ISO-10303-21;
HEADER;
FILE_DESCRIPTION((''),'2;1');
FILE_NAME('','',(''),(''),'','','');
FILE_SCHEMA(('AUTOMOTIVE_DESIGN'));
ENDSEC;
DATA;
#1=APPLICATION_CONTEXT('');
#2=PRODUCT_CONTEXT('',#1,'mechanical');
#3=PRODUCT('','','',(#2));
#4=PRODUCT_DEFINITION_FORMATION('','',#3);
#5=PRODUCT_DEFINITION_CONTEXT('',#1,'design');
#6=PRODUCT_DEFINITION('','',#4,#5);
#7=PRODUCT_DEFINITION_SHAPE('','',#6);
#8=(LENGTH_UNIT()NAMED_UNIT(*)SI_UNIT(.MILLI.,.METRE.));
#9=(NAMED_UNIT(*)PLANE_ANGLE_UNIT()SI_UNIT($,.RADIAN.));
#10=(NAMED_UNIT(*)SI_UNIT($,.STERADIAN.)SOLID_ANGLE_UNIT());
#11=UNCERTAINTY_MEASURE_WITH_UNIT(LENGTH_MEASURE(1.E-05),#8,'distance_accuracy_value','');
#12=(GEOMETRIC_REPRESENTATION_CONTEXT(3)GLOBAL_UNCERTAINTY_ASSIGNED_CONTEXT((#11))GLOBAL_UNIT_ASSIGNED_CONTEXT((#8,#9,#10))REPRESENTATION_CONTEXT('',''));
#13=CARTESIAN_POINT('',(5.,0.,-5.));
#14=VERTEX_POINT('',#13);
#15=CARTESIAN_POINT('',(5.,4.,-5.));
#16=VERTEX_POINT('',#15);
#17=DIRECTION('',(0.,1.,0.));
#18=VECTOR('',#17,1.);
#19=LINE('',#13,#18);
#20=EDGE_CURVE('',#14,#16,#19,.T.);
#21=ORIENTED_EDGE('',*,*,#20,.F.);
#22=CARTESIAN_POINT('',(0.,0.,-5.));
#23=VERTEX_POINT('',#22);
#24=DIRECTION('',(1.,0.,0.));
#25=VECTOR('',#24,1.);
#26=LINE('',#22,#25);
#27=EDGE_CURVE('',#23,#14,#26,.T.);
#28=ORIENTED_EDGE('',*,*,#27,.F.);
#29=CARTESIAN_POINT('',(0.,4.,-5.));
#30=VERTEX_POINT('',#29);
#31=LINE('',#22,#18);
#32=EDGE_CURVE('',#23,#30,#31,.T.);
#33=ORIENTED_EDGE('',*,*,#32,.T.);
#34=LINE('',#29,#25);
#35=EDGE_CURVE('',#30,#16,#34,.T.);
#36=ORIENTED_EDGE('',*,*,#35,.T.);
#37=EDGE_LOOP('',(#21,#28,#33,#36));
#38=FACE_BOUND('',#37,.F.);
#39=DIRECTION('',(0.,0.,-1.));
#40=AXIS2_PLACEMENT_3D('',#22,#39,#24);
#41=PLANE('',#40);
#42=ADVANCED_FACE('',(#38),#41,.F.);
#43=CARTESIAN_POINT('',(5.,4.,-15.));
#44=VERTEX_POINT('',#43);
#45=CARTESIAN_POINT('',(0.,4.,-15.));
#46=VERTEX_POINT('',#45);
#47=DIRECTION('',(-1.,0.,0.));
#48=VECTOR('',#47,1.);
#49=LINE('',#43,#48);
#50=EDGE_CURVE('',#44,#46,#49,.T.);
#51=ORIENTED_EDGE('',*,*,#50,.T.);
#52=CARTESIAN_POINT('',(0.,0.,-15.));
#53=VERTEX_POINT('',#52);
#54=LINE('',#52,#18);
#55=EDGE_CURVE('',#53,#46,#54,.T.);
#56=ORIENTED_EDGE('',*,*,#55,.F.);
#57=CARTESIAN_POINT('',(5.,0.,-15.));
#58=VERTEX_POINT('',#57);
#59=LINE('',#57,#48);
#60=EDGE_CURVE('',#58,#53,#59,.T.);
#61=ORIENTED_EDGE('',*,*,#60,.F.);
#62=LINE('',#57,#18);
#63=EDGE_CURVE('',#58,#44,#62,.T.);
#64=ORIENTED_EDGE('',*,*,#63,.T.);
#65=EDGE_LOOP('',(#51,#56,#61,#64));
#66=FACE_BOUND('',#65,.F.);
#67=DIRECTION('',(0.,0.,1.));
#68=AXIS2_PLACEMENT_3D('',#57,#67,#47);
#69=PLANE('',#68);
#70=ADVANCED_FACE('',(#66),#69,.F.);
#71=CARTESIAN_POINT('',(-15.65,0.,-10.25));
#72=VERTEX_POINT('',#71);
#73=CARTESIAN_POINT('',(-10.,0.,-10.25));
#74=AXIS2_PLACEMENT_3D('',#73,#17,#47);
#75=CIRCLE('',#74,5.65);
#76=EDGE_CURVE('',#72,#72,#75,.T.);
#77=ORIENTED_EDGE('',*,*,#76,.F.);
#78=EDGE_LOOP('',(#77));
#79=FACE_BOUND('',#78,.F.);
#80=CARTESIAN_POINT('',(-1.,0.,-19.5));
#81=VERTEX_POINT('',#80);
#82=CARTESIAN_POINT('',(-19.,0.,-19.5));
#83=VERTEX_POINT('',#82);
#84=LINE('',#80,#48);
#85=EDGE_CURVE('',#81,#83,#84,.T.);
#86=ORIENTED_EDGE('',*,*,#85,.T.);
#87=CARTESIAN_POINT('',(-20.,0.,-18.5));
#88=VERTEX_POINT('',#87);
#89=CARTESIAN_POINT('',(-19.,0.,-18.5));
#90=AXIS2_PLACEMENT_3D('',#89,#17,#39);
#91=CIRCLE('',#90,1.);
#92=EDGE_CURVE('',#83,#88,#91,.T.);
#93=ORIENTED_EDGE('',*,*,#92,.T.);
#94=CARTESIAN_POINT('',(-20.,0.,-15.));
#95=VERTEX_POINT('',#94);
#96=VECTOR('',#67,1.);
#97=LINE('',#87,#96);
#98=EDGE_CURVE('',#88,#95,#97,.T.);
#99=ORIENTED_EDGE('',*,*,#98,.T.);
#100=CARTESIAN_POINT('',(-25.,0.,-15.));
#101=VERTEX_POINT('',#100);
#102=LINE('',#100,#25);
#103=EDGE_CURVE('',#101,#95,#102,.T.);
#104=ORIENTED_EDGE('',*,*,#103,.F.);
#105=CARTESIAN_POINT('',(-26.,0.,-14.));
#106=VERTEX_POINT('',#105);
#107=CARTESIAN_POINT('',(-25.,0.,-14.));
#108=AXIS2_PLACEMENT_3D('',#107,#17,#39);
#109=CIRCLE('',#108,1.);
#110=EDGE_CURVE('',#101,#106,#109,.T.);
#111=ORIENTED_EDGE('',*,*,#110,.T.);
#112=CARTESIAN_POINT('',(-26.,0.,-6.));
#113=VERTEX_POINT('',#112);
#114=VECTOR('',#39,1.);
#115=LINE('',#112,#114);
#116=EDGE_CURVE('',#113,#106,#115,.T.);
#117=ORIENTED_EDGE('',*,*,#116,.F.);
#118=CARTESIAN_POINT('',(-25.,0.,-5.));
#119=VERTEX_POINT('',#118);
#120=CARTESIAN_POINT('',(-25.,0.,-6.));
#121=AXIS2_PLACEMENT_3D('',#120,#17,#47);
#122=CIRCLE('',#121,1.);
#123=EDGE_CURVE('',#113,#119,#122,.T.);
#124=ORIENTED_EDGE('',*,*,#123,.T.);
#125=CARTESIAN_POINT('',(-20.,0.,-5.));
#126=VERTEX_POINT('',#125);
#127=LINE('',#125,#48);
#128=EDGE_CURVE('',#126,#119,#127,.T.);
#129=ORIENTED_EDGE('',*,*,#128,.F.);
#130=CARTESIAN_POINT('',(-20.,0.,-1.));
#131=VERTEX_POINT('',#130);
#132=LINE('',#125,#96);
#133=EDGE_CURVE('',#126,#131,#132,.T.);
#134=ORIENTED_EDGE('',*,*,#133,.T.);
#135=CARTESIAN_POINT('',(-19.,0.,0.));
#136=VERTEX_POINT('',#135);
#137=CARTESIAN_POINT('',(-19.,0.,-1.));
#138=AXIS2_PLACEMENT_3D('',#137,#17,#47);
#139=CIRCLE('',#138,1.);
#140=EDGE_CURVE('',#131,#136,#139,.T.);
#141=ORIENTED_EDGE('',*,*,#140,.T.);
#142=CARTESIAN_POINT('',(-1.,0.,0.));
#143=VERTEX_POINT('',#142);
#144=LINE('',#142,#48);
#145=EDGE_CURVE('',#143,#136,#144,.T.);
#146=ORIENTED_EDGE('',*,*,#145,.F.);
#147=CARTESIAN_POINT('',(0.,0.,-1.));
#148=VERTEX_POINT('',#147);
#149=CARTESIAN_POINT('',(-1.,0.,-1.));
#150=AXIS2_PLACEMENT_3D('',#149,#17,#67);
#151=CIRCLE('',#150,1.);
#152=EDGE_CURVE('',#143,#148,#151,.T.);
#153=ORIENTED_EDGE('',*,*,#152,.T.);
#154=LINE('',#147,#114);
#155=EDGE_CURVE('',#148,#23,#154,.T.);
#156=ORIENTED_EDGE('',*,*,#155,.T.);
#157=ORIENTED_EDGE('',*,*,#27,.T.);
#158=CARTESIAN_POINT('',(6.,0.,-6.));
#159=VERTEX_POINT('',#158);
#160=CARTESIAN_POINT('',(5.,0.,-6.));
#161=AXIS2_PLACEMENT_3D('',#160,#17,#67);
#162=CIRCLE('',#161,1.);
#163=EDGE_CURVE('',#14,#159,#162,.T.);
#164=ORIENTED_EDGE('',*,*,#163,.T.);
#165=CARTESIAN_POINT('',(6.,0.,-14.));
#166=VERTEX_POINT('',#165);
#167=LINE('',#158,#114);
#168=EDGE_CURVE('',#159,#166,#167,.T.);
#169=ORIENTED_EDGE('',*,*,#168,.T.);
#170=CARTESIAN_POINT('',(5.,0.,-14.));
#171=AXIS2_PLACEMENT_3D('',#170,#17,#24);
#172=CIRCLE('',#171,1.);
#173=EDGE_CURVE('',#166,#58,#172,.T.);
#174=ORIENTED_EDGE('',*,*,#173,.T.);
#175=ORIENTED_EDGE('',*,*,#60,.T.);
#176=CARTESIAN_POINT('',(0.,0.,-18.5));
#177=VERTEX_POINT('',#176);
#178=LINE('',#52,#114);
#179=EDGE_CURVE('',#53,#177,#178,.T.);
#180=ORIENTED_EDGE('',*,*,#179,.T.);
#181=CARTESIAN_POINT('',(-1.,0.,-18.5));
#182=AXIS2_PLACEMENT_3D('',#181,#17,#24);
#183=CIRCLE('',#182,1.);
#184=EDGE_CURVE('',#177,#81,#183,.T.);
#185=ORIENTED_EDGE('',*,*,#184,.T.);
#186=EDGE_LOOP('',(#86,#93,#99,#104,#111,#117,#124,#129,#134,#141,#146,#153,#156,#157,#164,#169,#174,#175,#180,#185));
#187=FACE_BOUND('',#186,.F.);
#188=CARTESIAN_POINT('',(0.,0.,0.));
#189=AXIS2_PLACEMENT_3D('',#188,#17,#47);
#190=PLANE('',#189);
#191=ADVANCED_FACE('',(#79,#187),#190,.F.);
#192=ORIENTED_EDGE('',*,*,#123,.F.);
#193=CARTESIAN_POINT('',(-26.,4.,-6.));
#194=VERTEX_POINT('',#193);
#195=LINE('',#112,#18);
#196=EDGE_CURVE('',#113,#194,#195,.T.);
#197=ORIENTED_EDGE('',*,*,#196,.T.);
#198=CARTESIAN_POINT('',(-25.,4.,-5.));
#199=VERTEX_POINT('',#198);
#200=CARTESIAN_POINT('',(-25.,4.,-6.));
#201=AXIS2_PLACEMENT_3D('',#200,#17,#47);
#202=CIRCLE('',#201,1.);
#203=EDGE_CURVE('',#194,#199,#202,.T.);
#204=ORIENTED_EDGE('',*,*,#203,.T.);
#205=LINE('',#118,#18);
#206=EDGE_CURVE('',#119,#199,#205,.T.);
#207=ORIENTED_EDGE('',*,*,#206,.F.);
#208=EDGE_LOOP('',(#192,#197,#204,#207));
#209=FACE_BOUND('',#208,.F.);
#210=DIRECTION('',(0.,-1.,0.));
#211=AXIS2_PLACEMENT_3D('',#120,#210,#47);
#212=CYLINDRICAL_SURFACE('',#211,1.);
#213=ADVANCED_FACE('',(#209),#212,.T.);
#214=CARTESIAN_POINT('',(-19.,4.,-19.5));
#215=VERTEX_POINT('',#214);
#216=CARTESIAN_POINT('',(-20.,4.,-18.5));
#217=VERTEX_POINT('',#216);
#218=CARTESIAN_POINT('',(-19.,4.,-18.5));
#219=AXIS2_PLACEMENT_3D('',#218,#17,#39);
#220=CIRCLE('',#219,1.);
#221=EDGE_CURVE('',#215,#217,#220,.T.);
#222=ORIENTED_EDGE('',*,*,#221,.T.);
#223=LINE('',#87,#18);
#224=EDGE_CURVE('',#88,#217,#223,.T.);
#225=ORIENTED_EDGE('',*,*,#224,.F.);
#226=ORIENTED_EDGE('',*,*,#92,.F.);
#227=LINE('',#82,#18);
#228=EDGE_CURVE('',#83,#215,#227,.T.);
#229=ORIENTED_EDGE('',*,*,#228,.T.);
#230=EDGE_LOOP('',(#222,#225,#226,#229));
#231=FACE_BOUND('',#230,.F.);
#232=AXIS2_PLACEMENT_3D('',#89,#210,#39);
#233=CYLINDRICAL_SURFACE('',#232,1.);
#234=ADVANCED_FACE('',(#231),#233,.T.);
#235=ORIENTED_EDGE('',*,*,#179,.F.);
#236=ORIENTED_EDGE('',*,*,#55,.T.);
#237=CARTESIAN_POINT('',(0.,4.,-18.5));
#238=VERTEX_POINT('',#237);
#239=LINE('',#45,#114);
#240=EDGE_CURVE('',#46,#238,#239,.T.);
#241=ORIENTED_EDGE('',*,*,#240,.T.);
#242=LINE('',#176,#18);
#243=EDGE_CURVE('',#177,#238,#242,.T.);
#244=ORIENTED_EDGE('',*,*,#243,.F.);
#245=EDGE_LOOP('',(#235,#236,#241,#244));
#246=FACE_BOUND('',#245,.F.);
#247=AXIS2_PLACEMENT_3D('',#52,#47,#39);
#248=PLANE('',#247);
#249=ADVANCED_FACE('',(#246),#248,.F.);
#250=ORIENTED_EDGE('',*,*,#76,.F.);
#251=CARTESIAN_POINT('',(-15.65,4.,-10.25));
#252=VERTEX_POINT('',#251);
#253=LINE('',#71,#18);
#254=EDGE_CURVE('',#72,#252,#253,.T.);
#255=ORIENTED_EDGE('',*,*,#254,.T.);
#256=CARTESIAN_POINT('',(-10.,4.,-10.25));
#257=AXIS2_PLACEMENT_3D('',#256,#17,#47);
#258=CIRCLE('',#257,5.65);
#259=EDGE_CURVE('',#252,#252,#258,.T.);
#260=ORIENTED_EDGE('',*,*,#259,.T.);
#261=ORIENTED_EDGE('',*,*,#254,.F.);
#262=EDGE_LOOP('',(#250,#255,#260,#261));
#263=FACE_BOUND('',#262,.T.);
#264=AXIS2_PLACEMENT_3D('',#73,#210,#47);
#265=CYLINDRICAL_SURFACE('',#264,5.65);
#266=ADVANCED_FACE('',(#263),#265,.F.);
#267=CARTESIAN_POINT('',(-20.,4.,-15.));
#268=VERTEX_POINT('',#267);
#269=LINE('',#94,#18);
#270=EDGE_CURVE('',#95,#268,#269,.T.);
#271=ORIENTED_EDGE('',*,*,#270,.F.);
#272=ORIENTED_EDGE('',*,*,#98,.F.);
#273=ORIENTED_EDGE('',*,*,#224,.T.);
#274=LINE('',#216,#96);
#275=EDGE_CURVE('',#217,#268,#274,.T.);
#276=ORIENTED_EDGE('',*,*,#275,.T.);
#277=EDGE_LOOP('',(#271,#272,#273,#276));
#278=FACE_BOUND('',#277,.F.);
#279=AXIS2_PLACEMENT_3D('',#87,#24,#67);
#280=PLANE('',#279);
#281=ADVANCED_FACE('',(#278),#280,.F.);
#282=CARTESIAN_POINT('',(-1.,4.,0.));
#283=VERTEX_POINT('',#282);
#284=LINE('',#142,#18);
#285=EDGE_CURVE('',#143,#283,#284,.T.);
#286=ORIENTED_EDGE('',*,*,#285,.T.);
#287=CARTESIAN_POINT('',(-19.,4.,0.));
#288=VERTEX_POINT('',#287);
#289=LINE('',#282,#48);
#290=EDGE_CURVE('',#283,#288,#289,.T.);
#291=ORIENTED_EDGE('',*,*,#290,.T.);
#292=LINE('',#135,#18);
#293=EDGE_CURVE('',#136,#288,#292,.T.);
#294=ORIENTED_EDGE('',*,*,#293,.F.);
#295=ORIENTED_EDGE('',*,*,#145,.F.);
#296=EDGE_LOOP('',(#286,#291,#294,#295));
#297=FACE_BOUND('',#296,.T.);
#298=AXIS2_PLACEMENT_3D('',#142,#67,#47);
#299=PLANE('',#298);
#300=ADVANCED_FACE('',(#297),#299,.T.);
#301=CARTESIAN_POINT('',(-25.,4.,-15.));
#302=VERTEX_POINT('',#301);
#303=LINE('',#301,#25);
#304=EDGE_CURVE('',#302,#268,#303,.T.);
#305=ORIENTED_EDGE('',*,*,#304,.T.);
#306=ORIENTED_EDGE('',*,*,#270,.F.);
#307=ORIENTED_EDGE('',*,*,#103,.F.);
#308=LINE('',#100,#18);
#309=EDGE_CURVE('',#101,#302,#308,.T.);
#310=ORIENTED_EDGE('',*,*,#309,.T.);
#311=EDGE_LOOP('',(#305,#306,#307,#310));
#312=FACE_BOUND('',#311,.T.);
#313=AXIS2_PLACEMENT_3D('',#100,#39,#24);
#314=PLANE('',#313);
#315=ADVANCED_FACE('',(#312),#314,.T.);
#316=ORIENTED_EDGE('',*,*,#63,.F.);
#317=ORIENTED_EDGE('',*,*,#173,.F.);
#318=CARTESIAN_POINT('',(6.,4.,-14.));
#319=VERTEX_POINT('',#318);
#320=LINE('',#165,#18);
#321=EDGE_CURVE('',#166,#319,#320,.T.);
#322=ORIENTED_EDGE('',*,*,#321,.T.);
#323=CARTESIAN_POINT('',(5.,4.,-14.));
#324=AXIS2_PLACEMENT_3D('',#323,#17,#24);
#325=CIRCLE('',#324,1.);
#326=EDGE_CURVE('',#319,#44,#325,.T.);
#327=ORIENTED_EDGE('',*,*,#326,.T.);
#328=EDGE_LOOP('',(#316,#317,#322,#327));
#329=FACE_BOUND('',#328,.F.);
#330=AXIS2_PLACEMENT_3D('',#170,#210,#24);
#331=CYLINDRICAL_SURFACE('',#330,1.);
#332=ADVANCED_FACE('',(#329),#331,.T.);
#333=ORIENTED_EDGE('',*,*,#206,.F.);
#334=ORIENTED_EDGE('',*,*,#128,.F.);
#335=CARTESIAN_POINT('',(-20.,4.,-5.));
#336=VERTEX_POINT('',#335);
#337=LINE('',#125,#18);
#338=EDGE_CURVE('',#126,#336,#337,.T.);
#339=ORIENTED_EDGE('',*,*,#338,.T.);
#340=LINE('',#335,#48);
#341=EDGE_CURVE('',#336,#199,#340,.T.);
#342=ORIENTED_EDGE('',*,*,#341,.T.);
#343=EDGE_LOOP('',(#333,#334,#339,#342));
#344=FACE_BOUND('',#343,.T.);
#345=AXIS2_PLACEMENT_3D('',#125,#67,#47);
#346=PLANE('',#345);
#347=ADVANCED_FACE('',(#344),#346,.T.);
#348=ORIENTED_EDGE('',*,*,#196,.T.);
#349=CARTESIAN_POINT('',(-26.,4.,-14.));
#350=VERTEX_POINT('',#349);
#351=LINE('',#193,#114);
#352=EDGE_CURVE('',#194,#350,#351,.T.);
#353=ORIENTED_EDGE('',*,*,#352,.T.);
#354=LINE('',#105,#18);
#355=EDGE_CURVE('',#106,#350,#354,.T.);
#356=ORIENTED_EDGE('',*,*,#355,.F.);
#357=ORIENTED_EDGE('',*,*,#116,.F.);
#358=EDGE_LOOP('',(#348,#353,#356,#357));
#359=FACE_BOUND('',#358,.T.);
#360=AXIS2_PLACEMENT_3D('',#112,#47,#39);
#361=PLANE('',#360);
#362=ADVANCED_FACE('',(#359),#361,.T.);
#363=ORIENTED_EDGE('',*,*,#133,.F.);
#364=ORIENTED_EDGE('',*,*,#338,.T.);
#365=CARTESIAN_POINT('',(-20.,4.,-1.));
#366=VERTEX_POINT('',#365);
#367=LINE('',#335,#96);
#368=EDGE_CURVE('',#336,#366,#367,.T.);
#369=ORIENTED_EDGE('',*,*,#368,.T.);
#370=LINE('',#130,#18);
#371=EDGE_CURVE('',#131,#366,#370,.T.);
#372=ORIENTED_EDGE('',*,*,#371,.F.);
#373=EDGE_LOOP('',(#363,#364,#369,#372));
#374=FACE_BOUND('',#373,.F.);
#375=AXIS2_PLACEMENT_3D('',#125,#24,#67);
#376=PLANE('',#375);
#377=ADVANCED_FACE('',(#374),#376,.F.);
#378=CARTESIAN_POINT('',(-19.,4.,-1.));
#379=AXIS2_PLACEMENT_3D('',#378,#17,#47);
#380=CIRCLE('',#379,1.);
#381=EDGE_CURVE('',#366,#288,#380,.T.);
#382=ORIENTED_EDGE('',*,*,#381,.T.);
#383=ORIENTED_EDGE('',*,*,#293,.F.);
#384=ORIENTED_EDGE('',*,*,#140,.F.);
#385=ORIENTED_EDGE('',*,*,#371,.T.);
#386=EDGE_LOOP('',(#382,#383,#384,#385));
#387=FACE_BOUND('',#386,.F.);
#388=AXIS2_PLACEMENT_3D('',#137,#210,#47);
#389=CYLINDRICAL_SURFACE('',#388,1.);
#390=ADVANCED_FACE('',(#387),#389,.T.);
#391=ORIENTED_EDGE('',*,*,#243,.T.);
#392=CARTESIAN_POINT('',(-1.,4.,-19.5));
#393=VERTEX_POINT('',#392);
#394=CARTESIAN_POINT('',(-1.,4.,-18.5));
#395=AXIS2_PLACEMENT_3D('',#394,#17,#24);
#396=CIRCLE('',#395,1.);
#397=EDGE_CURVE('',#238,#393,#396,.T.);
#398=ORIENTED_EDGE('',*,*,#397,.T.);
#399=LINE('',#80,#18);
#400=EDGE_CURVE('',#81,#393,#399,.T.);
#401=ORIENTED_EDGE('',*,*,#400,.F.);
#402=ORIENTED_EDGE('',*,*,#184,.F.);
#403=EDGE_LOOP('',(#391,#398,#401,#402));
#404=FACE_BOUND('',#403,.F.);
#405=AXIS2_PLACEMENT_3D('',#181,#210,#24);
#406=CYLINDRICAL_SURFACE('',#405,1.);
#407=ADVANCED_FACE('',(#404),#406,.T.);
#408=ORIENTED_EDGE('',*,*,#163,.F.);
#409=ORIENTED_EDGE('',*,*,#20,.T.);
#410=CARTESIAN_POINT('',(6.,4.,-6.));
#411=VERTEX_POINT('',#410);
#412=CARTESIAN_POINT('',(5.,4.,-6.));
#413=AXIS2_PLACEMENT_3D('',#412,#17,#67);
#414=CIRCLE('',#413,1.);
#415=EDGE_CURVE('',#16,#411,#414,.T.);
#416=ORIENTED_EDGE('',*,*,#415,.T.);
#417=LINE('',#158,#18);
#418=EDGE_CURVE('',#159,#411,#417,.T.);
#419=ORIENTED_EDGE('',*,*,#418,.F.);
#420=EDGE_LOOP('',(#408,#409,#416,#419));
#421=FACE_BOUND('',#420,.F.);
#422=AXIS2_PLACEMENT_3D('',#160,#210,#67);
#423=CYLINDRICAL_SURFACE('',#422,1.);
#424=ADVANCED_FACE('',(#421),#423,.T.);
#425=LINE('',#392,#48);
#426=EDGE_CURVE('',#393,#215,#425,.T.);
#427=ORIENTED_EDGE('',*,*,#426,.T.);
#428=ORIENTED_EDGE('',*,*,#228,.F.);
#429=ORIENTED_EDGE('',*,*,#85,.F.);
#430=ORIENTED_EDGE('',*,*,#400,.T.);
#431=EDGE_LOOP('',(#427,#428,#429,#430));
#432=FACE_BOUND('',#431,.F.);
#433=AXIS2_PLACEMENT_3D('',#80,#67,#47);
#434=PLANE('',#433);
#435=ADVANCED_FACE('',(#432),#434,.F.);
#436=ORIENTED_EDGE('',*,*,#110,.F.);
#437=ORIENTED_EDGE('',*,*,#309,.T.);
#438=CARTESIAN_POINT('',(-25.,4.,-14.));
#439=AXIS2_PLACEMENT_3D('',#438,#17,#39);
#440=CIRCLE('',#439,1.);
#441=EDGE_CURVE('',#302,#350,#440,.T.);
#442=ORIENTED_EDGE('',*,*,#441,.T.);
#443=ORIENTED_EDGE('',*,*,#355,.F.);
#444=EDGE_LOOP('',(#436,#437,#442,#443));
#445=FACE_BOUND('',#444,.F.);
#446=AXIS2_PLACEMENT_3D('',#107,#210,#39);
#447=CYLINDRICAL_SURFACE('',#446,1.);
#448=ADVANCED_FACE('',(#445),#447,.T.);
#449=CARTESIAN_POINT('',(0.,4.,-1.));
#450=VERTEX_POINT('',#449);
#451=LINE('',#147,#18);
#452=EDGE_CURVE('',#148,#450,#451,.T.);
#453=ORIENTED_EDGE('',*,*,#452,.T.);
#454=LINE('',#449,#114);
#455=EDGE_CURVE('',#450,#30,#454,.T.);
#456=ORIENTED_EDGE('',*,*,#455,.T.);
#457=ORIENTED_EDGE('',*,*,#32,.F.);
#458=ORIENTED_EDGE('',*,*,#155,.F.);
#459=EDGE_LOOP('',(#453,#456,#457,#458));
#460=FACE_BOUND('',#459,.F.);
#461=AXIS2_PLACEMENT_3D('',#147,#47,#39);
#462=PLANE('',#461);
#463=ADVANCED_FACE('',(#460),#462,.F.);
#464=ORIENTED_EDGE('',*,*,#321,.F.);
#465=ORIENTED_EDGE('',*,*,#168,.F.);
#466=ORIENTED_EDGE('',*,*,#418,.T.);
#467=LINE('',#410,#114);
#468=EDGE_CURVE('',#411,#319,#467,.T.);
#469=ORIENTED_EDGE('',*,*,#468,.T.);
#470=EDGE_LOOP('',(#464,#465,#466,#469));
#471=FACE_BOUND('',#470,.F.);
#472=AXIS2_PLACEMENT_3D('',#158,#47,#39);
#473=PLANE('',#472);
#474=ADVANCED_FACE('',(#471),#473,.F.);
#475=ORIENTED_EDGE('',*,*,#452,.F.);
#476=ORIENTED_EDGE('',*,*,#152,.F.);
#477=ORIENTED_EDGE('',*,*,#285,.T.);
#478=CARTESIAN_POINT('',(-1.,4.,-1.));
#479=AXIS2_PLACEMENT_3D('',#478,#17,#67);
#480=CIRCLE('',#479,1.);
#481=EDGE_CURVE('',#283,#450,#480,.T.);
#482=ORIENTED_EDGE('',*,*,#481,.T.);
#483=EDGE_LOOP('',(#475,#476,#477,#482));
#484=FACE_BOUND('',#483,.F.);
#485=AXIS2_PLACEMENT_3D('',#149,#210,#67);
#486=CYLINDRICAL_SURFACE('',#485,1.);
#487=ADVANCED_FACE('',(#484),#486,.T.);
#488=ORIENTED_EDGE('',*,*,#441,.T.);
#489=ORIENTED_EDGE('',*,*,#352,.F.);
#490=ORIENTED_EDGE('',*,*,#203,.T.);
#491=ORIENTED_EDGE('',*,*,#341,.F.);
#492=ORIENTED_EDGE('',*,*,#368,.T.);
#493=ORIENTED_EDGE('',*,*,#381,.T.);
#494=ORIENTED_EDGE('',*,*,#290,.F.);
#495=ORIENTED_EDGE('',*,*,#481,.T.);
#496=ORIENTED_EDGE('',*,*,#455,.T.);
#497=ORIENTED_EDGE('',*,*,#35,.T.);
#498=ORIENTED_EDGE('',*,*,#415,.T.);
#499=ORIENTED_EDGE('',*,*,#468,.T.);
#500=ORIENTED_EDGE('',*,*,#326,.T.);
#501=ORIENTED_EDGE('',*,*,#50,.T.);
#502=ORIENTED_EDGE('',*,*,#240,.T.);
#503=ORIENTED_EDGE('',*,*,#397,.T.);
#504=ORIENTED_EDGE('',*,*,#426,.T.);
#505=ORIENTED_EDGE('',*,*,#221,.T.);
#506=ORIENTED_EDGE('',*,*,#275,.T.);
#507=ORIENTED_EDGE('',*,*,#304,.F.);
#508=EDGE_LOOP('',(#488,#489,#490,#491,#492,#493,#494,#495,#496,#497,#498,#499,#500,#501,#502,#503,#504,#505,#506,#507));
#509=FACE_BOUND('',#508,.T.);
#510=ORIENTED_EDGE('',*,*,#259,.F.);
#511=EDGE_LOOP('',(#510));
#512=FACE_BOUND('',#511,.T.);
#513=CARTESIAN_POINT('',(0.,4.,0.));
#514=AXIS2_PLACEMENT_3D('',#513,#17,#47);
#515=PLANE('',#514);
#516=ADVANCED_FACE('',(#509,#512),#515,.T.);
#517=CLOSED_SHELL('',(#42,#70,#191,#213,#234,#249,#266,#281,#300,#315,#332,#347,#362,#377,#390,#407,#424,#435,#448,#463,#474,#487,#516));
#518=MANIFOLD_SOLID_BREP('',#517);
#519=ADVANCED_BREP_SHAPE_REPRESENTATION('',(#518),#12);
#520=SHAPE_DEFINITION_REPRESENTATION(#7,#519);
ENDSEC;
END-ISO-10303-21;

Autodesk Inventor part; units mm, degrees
ref_plane "YZ Plane" through (0, 0, 0) normal (1, 0, 0) x (0, 1, 0)
ref_plane "XZ Plane" through (0, 0, 0) normal (0, 1, 0) x (-1, 0, 0)
ref_plane "XY Plane" through (0, 0, 0) normal (0, 0, 1) x (1, 0, 0)
sketch "Sketch1" plane through (0, 0, 0) normal (0, 1, 0) x (-1, 0, 0)
  line L0 (1, -19.5) -> (19, -19.5)
  circle A0 centre (10, -10.25) radius 5.65
  line L1 (1, 0) -> (19, 0)
  line L2 (20, -1) -> (20, -5) construction
  line L3 (20, -5) -> (25, -5)
  line L4 (26, -6) -> (26, -14)
  line L5 (25, -15) -> (20, -15)
  line L6 (20, -18.5) -> (20, -15)
  line L7 (20, -5) -> (20, -1)
  line L8 (0, -1) -> (0, -5)
  line L9 (0, -5) -> (-5, -5)
  line L10 (-6, -6) -> (-6, -14)
  line L11 (-5, -15) -> (0, -15)
  line L12 (0, -15) -> (0, -18.5)
  arc A1 (0, -18.5) -> (1, -19.5) centre (1, -18.5) ccw
  arc A2 (1, 0) -> (0, -1) centre (1, -1) ccw
  arc A3 (20, -1) -> (19, 0) centre (19, -1) ccw
  arc A4 (26, -6) -> (25, -5) centre (25, -6) ccw
  arc A5 (25, -15) -> (26, -14) centre (25, -14) ccw
  arc A6 (19, -19.5) -> (20, -18.5) centre (19, -18.5) ccw
  arc A7 (-5, -5) -> (-6, -6) centre (-5, -6) ccw
  arc A8 (-6, -14) -> (-5, -15) centre (-5, -14) ccw
  line L13 (10, -10.25) -> (26, -10.25) construction
  point P0 (0, 0)
  point P1 (-6, -15)
  point P2 (-6, -5)
  point P3 (20, -1)
  dimension "d5" = 1
  dimension "d6" = 1
  dimension "d9" = 1
  dimension "d10" = 11.3
extrude "Extrusion1" add sketch "Sketch1" along normal blind 4
properties part number "Laser-Slot-Term-Beam" material "Acrylic, Clear"
